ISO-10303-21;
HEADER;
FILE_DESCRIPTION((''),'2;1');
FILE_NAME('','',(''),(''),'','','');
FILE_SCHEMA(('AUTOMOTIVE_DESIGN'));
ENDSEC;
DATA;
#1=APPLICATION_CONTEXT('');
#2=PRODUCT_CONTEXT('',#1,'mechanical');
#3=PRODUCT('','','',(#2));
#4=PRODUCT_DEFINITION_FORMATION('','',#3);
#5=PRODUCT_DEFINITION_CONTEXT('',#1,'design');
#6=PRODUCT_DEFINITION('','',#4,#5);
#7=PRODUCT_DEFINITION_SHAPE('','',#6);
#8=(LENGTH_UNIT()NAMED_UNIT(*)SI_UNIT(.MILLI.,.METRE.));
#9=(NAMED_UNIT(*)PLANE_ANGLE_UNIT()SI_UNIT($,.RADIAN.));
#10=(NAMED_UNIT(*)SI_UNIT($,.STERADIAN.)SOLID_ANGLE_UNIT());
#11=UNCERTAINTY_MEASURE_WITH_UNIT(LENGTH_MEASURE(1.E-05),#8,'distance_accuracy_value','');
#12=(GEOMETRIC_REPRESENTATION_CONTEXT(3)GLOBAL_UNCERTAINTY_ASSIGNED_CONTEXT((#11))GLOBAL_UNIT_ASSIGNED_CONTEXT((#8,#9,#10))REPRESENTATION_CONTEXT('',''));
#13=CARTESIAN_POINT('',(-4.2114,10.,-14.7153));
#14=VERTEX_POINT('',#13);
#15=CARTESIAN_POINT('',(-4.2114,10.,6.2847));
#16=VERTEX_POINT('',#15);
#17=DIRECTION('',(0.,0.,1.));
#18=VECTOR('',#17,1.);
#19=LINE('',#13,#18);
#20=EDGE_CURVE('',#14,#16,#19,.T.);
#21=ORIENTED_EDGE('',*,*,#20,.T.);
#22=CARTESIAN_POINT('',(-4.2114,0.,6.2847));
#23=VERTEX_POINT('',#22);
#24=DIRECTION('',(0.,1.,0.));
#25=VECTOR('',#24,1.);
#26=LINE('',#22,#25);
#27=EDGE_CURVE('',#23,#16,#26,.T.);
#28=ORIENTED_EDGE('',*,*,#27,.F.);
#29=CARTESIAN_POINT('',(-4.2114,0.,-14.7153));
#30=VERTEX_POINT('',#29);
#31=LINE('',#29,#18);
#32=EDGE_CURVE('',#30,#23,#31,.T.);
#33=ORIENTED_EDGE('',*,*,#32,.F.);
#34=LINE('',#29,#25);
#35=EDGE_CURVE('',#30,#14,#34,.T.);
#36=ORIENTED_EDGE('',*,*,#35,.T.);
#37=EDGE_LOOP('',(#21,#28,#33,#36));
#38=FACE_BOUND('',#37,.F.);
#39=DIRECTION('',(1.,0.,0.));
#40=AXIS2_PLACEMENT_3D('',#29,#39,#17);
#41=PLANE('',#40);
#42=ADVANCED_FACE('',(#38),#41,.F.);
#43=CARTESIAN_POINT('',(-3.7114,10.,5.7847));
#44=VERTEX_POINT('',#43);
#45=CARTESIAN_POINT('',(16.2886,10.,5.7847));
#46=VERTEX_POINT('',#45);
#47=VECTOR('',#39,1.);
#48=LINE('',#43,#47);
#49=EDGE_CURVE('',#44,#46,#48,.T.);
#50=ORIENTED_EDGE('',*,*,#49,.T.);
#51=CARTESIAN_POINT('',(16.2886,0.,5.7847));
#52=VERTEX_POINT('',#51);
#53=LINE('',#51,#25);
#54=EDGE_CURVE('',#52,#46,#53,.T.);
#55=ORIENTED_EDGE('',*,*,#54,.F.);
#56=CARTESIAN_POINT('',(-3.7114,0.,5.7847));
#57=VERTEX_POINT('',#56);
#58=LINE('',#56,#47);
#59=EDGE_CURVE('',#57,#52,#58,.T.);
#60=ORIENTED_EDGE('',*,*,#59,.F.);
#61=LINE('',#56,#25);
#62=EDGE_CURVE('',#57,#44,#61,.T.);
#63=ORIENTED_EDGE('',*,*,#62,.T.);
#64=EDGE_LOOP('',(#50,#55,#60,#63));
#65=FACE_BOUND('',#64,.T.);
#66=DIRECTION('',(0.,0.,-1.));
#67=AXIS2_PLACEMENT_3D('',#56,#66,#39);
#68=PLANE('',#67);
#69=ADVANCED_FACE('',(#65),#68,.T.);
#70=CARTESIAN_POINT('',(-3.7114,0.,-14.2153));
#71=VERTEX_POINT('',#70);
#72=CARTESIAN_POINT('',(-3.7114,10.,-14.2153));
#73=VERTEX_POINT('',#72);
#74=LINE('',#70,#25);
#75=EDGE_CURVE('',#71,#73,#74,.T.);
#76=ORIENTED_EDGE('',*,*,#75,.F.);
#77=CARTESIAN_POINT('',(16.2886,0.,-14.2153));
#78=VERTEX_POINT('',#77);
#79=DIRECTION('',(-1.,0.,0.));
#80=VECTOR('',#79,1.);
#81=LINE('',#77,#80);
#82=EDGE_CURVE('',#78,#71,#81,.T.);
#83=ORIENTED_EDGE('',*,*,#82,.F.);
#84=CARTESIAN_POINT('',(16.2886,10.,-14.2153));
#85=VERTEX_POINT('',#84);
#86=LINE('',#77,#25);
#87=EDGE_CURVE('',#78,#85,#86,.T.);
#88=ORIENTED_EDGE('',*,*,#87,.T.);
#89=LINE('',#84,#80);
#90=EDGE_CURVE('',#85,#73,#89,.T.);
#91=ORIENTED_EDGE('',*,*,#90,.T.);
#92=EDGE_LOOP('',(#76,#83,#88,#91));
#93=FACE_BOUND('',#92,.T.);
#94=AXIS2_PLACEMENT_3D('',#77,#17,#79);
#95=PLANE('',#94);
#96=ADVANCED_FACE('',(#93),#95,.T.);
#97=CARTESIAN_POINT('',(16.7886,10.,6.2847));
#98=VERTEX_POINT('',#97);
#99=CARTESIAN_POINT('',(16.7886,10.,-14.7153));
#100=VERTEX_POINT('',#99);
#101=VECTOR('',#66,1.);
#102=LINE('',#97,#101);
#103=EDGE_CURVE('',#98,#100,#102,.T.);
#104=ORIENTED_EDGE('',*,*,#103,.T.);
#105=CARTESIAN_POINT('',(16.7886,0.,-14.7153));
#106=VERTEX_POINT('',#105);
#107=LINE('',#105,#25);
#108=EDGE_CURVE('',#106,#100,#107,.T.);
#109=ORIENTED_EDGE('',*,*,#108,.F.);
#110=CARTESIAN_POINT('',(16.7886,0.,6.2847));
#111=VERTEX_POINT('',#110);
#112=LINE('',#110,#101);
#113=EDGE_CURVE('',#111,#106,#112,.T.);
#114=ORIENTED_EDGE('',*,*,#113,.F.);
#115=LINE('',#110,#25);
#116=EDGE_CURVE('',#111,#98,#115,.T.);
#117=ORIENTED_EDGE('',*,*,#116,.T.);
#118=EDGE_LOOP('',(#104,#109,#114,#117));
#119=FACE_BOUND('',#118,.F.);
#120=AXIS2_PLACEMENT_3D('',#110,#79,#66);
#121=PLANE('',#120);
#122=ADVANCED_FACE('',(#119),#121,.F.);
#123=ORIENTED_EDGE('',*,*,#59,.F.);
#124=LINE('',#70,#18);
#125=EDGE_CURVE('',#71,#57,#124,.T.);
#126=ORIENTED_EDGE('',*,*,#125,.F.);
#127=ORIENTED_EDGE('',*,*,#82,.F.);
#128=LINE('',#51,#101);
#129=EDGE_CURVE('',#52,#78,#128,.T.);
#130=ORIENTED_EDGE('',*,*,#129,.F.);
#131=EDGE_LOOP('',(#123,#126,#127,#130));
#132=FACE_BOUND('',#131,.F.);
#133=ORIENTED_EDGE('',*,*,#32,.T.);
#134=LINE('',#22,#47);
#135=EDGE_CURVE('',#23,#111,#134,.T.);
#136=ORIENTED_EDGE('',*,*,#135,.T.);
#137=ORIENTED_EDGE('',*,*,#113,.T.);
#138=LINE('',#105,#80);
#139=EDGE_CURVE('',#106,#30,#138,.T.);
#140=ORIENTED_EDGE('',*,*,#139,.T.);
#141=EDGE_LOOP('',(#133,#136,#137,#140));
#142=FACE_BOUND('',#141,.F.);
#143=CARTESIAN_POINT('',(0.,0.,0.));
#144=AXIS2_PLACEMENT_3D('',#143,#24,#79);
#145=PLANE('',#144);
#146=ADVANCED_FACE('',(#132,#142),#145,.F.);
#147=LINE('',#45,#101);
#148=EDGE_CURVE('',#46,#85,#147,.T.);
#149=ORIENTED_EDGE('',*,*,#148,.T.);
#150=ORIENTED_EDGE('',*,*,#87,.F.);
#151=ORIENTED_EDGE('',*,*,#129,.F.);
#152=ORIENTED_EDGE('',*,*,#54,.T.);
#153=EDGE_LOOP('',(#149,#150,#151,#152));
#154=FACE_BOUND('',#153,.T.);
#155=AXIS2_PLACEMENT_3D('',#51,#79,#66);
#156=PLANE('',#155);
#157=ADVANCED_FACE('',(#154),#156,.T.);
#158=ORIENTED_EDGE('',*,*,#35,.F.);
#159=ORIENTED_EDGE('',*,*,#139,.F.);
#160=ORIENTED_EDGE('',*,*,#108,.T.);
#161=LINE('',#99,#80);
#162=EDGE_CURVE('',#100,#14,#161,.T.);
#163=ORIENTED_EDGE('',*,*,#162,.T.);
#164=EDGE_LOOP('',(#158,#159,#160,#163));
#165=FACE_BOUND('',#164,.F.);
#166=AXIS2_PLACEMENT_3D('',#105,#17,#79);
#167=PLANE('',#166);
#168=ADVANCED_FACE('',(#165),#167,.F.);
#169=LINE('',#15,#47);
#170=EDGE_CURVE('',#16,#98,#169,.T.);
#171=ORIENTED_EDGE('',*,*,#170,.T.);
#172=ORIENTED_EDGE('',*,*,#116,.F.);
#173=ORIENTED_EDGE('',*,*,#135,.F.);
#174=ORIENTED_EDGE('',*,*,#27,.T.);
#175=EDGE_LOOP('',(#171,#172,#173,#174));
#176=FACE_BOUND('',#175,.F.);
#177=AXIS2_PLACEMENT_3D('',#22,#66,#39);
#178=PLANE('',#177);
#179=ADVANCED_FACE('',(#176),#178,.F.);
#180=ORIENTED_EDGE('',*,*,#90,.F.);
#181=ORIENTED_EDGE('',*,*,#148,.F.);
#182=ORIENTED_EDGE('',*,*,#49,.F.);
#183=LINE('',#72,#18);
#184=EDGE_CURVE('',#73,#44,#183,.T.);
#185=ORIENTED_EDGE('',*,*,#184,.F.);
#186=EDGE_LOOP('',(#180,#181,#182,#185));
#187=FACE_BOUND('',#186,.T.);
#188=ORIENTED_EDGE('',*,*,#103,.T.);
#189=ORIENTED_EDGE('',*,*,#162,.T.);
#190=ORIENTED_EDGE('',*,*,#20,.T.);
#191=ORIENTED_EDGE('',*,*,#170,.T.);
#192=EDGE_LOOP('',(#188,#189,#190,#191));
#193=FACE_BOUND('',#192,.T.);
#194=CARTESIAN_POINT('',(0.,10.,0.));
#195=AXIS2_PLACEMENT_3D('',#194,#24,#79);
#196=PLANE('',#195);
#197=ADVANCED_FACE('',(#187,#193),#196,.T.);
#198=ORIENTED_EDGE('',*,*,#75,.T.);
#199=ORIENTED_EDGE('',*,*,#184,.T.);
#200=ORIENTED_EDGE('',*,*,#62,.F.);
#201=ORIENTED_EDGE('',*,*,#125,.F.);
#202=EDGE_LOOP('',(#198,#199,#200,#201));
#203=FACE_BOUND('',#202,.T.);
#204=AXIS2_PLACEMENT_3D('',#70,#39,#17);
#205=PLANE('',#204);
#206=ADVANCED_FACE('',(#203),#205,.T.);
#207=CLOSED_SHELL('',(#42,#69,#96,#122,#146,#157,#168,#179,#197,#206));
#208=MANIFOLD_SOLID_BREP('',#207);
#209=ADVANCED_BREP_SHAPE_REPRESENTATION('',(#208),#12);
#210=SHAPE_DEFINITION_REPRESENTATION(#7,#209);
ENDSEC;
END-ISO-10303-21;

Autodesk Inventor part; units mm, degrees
ref_plane "YZ Plane" through (0, 0, 0) normal (1, 0, 0) x (0, 1, 0)
ref_plane "XZ Plane" through (0, 0, 0) normal (0, 1, 0) x (-1, 0, 0)
ref_plane "XY Plane" through (0, 0, 0) normal (0, 0, 1) x (1, 0, 0)
sketch "Sketch1" plane through (0, 0, 0) normal (0, 1, 0) x (-1, 0, 0)
  line L0 (3.7114, 5.7847) -> (-16.2886, 5.7847)
  line L1 (-16.2886, 5.7847) -> (-16.2886, -14.2153)
  line L2 (-16.2886, -14.2153) -> (3.7114, -14.2153)
  line L3 (3.7114, -14.2153) -> (3.7114, 5.7847)
  line L4 (4.2114, 6.2847) -> (-16.7886, 6.2847)
  line L5 (-16.7886, 6.2847) -> (-16.7886, -14.7153)
  line L6 (-16.7886, -14.7153) -> (4.2114, -14.7153)
  line L7 (4.2114, -14.7153) -> (4.2114, 6.2847)
  point P0 (0, 0)
  dimension "d0" = 20
  dimension "d1" = 20
  dimension "d2" = 0.5
extrude "Extrusion2" add sketch "Sketch1" along normal blind 10
